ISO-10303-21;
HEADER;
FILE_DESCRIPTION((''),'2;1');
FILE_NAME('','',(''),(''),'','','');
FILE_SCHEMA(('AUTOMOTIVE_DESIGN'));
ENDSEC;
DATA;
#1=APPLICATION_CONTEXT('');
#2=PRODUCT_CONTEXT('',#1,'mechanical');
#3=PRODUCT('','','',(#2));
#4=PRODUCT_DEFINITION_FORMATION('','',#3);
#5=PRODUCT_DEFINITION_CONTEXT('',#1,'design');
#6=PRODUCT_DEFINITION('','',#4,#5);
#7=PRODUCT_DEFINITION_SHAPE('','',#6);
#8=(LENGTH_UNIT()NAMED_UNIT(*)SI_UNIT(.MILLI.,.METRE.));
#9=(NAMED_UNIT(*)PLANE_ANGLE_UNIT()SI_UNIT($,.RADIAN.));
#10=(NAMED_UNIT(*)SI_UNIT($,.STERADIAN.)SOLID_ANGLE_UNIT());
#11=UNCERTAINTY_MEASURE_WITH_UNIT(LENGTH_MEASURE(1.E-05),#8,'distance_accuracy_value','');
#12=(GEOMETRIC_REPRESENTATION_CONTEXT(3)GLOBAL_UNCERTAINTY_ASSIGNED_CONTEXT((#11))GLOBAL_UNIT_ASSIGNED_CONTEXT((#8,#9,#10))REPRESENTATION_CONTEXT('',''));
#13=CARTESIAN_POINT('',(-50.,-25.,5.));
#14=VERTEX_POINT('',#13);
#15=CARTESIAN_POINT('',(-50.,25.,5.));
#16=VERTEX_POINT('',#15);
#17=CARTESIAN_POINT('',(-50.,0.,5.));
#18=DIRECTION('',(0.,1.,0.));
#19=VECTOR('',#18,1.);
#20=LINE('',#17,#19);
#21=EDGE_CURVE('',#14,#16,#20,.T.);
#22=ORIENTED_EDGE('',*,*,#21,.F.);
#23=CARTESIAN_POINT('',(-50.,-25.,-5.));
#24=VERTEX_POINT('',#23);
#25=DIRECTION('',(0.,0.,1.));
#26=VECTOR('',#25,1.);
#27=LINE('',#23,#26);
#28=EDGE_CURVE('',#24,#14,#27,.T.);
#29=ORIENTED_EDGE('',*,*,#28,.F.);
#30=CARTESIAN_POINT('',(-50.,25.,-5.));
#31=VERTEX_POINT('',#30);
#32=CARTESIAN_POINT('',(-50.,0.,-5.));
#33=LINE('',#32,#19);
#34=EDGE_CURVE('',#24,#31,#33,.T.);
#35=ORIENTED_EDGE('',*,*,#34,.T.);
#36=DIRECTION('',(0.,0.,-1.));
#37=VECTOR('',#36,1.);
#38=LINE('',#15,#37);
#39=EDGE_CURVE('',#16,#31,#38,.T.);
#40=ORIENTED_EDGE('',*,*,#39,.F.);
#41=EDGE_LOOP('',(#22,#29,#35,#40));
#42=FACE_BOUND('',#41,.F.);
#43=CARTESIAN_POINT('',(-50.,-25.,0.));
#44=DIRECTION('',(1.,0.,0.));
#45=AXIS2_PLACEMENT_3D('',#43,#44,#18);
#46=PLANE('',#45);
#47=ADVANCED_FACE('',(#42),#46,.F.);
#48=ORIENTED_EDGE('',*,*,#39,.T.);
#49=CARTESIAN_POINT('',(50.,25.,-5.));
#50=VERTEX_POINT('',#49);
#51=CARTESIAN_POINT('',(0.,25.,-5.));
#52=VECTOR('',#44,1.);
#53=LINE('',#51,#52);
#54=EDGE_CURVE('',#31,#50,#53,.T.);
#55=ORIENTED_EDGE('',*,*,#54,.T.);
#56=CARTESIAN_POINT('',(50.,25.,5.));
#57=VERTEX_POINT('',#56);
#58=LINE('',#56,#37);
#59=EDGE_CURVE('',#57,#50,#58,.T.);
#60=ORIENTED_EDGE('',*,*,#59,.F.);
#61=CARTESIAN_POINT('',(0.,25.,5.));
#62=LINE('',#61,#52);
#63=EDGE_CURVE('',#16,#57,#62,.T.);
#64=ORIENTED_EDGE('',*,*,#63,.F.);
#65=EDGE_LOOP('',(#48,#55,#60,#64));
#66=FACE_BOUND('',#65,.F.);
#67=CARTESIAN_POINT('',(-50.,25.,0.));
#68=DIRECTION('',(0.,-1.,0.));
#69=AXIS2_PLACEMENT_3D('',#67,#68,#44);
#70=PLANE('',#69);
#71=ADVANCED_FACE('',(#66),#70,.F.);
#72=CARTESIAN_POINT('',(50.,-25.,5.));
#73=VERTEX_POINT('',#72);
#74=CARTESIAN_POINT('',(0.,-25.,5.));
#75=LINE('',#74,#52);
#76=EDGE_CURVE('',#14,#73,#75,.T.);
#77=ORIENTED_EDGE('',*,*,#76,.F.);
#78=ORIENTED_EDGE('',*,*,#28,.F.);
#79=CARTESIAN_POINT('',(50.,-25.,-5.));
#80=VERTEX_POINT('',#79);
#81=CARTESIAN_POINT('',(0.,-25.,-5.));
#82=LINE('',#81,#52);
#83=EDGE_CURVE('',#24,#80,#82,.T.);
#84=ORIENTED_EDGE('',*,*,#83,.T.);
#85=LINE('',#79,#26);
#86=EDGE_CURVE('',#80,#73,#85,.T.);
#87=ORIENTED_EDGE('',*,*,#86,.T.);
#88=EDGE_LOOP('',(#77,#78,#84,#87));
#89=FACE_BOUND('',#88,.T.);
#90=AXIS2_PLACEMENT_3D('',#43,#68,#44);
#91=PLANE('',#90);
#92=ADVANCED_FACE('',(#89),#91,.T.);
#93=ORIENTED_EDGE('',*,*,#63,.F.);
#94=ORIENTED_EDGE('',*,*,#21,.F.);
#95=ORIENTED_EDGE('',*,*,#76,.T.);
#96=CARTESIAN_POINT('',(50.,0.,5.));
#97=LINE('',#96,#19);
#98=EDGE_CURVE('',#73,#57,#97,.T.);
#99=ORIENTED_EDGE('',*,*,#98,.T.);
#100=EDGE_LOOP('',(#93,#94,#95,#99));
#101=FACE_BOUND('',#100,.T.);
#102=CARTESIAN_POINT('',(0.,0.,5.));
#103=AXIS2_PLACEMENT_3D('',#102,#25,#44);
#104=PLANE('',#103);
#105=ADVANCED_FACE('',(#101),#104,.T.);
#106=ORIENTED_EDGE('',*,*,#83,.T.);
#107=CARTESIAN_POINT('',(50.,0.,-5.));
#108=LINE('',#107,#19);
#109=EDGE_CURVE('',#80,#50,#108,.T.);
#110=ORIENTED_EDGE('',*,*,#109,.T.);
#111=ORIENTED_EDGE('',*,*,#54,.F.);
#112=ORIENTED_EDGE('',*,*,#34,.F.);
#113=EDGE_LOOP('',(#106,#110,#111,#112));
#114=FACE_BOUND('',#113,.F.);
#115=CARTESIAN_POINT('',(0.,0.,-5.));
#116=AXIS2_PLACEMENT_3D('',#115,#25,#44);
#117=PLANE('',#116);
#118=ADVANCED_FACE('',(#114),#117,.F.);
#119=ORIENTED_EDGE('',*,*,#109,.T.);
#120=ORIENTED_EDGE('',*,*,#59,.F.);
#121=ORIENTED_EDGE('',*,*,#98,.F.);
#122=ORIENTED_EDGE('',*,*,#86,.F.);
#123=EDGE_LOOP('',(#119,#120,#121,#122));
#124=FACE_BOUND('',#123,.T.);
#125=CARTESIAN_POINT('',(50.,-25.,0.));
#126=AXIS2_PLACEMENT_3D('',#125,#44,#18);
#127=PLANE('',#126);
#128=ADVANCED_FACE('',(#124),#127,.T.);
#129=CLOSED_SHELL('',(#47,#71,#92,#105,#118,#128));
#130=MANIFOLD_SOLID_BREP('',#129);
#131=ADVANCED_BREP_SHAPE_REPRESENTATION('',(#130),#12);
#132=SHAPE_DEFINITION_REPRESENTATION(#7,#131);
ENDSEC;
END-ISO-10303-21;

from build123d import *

# Parameters (mm, degrees)
ESQUISSE1_W        = 100
ESQUISSE1_H        = 50
BOSS_EXTRU_1_DEPTH = 5


with BuildPart() as part:
    # Esquisse1 → Boss.-Extru.1 (new body, symmetric)
    with BuildSketch(Plane.XY):
        Rectangle(ESQUISSE1_W, ESQUISSE1_H)
    extrude(amount=BOSS_EXTRU_1_DEPTH, both=True)


solid = part.part
